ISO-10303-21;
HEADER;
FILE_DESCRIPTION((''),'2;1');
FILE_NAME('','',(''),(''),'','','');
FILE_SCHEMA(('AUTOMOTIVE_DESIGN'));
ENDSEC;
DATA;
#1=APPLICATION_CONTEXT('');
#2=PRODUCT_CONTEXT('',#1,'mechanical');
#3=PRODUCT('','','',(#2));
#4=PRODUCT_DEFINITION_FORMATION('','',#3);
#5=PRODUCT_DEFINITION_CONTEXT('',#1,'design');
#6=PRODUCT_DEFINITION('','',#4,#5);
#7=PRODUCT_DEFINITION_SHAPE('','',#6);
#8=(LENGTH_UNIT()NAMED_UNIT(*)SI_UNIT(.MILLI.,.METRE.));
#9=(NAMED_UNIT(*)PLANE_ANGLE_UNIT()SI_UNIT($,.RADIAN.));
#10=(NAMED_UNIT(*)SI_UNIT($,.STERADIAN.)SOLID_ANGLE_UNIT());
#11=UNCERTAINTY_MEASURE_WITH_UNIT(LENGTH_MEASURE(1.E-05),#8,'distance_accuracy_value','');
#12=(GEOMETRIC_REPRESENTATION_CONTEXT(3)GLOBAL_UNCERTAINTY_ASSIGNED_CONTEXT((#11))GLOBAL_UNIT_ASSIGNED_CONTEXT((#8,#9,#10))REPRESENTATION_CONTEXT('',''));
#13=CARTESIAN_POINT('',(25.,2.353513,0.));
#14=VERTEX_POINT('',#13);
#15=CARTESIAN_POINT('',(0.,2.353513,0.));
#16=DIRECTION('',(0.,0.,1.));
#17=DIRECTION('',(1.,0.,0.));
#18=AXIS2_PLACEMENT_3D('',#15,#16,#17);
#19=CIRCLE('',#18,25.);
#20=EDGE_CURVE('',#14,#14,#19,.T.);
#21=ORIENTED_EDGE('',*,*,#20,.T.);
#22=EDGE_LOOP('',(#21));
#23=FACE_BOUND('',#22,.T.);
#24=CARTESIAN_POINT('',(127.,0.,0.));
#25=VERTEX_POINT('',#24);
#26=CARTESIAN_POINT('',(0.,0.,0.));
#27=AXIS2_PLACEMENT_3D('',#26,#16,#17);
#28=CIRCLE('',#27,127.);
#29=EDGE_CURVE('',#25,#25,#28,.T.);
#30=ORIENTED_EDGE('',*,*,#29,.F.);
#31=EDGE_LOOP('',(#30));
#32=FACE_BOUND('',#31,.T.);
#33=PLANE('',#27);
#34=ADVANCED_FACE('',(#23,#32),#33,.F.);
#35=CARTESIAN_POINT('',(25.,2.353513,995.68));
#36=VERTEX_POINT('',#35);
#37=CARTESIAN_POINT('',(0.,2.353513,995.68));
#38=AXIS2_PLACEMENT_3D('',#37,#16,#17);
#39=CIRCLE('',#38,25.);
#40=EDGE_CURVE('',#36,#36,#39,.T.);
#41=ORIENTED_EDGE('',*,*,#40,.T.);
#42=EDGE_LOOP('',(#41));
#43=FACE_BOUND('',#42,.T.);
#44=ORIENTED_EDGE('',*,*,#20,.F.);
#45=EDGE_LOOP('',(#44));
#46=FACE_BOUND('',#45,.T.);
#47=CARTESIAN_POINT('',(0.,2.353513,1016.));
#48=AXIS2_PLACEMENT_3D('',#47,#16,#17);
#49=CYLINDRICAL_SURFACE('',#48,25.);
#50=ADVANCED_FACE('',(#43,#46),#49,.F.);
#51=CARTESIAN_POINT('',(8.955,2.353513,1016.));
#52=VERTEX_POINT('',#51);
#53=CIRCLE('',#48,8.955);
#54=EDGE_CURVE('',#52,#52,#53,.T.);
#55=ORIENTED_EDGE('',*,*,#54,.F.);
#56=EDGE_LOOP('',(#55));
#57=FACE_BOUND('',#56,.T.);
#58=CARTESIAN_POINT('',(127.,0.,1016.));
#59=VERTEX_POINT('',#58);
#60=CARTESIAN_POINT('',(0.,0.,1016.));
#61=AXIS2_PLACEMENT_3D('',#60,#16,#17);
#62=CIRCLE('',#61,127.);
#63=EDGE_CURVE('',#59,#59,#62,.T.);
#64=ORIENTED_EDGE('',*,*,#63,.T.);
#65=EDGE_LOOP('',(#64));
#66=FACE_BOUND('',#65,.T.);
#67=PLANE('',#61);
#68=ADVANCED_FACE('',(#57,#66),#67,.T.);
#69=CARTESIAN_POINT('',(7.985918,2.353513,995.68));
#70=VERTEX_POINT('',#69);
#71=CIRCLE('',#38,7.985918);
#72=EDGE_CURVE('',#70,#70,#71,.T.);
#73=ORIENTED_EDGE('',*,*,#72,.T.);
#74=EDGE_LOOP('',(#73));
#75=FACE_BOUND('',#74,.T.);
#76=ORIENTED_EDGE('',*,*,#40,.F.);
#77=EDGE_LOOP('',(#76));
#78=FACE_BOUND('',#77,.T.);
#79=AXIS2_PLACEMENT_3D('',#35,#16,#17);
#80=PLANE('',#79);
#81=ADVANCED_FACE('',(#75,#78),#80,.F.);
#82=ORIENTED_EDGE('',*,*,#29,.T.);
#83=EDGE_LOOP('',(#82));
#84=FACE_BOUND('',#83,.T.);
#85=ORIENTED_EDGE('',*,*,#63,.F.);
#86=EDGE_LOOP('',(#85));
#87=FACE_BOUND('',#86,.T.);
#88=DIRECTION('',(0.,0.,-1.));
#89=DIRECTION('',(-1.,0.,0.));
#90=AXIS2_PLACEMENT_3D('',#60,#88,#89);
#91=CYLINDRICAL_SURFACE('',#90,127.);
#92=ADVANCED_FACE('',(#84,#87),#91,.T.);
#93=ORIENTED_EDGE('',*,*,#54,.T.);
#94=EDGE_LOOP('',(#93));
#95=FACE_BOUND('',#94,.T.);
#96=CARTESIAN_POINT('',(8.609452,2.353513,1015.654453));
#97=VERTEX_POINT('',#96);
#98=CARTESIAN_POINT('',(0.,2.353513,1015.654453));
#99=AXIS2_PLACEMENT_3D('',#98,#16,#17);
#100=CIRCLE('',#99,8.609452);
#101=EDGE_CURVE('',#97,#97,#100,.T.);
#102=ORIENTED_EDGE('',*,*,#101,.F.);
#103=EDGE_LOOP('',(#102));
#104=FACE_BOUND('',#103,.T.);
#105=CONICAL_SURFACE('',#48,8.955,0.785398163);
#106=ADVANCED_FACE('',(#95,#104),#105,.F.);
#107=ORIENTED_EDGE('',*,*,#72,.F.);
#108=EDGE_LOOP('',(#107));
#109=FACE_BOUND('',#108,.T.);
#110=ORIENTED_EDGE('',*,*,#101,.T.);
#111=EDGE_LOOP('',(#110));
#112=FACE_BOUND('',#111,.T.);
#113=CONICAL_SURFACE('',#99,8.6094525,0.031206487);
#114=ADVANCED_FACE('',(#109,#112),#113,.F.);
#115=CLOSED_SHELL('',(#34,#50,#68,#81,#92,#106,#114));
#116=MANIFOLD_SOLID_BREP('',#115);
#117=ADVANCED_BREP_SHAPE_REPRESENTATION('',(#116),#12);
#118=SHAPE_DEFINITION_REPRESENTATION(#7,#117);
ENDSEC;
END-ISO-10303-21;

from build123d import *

# Parameters (mm, degrees)
SKETCH1_R           = 127
BOSS_EXTRUDE1_DEPTH = 1016


with BuildPart() as part:
    # Sketch1 → Boss-Extrude1 (new body)
    with BuildSketch(Plane.XY):
        Circle(SKETCH1_R)
    extrude(amount=BOSS_EXTRUDE1_DEPTH)

    # Sketch6 → 3/8 Rc Tapped Hole2 (revolve, cut)
    with BuildSketch(Plane(origin=(0, 2.353512808, 1016), x_dir=(0, -1, 0), z_dir=(1, 0, 0))):
        Polygon((0, 0), (0, 1016), (25, 1016), (25, 20.32), (7.985917585, 20.32), (8.6094525, 0.3455475), (8.955, 0), align=None)
    revolve(axis=Axis((0, 2.353512808, 1022.35), (0, 0, -1)), mode=Mode.SUBTRACT)


solid = part.part
